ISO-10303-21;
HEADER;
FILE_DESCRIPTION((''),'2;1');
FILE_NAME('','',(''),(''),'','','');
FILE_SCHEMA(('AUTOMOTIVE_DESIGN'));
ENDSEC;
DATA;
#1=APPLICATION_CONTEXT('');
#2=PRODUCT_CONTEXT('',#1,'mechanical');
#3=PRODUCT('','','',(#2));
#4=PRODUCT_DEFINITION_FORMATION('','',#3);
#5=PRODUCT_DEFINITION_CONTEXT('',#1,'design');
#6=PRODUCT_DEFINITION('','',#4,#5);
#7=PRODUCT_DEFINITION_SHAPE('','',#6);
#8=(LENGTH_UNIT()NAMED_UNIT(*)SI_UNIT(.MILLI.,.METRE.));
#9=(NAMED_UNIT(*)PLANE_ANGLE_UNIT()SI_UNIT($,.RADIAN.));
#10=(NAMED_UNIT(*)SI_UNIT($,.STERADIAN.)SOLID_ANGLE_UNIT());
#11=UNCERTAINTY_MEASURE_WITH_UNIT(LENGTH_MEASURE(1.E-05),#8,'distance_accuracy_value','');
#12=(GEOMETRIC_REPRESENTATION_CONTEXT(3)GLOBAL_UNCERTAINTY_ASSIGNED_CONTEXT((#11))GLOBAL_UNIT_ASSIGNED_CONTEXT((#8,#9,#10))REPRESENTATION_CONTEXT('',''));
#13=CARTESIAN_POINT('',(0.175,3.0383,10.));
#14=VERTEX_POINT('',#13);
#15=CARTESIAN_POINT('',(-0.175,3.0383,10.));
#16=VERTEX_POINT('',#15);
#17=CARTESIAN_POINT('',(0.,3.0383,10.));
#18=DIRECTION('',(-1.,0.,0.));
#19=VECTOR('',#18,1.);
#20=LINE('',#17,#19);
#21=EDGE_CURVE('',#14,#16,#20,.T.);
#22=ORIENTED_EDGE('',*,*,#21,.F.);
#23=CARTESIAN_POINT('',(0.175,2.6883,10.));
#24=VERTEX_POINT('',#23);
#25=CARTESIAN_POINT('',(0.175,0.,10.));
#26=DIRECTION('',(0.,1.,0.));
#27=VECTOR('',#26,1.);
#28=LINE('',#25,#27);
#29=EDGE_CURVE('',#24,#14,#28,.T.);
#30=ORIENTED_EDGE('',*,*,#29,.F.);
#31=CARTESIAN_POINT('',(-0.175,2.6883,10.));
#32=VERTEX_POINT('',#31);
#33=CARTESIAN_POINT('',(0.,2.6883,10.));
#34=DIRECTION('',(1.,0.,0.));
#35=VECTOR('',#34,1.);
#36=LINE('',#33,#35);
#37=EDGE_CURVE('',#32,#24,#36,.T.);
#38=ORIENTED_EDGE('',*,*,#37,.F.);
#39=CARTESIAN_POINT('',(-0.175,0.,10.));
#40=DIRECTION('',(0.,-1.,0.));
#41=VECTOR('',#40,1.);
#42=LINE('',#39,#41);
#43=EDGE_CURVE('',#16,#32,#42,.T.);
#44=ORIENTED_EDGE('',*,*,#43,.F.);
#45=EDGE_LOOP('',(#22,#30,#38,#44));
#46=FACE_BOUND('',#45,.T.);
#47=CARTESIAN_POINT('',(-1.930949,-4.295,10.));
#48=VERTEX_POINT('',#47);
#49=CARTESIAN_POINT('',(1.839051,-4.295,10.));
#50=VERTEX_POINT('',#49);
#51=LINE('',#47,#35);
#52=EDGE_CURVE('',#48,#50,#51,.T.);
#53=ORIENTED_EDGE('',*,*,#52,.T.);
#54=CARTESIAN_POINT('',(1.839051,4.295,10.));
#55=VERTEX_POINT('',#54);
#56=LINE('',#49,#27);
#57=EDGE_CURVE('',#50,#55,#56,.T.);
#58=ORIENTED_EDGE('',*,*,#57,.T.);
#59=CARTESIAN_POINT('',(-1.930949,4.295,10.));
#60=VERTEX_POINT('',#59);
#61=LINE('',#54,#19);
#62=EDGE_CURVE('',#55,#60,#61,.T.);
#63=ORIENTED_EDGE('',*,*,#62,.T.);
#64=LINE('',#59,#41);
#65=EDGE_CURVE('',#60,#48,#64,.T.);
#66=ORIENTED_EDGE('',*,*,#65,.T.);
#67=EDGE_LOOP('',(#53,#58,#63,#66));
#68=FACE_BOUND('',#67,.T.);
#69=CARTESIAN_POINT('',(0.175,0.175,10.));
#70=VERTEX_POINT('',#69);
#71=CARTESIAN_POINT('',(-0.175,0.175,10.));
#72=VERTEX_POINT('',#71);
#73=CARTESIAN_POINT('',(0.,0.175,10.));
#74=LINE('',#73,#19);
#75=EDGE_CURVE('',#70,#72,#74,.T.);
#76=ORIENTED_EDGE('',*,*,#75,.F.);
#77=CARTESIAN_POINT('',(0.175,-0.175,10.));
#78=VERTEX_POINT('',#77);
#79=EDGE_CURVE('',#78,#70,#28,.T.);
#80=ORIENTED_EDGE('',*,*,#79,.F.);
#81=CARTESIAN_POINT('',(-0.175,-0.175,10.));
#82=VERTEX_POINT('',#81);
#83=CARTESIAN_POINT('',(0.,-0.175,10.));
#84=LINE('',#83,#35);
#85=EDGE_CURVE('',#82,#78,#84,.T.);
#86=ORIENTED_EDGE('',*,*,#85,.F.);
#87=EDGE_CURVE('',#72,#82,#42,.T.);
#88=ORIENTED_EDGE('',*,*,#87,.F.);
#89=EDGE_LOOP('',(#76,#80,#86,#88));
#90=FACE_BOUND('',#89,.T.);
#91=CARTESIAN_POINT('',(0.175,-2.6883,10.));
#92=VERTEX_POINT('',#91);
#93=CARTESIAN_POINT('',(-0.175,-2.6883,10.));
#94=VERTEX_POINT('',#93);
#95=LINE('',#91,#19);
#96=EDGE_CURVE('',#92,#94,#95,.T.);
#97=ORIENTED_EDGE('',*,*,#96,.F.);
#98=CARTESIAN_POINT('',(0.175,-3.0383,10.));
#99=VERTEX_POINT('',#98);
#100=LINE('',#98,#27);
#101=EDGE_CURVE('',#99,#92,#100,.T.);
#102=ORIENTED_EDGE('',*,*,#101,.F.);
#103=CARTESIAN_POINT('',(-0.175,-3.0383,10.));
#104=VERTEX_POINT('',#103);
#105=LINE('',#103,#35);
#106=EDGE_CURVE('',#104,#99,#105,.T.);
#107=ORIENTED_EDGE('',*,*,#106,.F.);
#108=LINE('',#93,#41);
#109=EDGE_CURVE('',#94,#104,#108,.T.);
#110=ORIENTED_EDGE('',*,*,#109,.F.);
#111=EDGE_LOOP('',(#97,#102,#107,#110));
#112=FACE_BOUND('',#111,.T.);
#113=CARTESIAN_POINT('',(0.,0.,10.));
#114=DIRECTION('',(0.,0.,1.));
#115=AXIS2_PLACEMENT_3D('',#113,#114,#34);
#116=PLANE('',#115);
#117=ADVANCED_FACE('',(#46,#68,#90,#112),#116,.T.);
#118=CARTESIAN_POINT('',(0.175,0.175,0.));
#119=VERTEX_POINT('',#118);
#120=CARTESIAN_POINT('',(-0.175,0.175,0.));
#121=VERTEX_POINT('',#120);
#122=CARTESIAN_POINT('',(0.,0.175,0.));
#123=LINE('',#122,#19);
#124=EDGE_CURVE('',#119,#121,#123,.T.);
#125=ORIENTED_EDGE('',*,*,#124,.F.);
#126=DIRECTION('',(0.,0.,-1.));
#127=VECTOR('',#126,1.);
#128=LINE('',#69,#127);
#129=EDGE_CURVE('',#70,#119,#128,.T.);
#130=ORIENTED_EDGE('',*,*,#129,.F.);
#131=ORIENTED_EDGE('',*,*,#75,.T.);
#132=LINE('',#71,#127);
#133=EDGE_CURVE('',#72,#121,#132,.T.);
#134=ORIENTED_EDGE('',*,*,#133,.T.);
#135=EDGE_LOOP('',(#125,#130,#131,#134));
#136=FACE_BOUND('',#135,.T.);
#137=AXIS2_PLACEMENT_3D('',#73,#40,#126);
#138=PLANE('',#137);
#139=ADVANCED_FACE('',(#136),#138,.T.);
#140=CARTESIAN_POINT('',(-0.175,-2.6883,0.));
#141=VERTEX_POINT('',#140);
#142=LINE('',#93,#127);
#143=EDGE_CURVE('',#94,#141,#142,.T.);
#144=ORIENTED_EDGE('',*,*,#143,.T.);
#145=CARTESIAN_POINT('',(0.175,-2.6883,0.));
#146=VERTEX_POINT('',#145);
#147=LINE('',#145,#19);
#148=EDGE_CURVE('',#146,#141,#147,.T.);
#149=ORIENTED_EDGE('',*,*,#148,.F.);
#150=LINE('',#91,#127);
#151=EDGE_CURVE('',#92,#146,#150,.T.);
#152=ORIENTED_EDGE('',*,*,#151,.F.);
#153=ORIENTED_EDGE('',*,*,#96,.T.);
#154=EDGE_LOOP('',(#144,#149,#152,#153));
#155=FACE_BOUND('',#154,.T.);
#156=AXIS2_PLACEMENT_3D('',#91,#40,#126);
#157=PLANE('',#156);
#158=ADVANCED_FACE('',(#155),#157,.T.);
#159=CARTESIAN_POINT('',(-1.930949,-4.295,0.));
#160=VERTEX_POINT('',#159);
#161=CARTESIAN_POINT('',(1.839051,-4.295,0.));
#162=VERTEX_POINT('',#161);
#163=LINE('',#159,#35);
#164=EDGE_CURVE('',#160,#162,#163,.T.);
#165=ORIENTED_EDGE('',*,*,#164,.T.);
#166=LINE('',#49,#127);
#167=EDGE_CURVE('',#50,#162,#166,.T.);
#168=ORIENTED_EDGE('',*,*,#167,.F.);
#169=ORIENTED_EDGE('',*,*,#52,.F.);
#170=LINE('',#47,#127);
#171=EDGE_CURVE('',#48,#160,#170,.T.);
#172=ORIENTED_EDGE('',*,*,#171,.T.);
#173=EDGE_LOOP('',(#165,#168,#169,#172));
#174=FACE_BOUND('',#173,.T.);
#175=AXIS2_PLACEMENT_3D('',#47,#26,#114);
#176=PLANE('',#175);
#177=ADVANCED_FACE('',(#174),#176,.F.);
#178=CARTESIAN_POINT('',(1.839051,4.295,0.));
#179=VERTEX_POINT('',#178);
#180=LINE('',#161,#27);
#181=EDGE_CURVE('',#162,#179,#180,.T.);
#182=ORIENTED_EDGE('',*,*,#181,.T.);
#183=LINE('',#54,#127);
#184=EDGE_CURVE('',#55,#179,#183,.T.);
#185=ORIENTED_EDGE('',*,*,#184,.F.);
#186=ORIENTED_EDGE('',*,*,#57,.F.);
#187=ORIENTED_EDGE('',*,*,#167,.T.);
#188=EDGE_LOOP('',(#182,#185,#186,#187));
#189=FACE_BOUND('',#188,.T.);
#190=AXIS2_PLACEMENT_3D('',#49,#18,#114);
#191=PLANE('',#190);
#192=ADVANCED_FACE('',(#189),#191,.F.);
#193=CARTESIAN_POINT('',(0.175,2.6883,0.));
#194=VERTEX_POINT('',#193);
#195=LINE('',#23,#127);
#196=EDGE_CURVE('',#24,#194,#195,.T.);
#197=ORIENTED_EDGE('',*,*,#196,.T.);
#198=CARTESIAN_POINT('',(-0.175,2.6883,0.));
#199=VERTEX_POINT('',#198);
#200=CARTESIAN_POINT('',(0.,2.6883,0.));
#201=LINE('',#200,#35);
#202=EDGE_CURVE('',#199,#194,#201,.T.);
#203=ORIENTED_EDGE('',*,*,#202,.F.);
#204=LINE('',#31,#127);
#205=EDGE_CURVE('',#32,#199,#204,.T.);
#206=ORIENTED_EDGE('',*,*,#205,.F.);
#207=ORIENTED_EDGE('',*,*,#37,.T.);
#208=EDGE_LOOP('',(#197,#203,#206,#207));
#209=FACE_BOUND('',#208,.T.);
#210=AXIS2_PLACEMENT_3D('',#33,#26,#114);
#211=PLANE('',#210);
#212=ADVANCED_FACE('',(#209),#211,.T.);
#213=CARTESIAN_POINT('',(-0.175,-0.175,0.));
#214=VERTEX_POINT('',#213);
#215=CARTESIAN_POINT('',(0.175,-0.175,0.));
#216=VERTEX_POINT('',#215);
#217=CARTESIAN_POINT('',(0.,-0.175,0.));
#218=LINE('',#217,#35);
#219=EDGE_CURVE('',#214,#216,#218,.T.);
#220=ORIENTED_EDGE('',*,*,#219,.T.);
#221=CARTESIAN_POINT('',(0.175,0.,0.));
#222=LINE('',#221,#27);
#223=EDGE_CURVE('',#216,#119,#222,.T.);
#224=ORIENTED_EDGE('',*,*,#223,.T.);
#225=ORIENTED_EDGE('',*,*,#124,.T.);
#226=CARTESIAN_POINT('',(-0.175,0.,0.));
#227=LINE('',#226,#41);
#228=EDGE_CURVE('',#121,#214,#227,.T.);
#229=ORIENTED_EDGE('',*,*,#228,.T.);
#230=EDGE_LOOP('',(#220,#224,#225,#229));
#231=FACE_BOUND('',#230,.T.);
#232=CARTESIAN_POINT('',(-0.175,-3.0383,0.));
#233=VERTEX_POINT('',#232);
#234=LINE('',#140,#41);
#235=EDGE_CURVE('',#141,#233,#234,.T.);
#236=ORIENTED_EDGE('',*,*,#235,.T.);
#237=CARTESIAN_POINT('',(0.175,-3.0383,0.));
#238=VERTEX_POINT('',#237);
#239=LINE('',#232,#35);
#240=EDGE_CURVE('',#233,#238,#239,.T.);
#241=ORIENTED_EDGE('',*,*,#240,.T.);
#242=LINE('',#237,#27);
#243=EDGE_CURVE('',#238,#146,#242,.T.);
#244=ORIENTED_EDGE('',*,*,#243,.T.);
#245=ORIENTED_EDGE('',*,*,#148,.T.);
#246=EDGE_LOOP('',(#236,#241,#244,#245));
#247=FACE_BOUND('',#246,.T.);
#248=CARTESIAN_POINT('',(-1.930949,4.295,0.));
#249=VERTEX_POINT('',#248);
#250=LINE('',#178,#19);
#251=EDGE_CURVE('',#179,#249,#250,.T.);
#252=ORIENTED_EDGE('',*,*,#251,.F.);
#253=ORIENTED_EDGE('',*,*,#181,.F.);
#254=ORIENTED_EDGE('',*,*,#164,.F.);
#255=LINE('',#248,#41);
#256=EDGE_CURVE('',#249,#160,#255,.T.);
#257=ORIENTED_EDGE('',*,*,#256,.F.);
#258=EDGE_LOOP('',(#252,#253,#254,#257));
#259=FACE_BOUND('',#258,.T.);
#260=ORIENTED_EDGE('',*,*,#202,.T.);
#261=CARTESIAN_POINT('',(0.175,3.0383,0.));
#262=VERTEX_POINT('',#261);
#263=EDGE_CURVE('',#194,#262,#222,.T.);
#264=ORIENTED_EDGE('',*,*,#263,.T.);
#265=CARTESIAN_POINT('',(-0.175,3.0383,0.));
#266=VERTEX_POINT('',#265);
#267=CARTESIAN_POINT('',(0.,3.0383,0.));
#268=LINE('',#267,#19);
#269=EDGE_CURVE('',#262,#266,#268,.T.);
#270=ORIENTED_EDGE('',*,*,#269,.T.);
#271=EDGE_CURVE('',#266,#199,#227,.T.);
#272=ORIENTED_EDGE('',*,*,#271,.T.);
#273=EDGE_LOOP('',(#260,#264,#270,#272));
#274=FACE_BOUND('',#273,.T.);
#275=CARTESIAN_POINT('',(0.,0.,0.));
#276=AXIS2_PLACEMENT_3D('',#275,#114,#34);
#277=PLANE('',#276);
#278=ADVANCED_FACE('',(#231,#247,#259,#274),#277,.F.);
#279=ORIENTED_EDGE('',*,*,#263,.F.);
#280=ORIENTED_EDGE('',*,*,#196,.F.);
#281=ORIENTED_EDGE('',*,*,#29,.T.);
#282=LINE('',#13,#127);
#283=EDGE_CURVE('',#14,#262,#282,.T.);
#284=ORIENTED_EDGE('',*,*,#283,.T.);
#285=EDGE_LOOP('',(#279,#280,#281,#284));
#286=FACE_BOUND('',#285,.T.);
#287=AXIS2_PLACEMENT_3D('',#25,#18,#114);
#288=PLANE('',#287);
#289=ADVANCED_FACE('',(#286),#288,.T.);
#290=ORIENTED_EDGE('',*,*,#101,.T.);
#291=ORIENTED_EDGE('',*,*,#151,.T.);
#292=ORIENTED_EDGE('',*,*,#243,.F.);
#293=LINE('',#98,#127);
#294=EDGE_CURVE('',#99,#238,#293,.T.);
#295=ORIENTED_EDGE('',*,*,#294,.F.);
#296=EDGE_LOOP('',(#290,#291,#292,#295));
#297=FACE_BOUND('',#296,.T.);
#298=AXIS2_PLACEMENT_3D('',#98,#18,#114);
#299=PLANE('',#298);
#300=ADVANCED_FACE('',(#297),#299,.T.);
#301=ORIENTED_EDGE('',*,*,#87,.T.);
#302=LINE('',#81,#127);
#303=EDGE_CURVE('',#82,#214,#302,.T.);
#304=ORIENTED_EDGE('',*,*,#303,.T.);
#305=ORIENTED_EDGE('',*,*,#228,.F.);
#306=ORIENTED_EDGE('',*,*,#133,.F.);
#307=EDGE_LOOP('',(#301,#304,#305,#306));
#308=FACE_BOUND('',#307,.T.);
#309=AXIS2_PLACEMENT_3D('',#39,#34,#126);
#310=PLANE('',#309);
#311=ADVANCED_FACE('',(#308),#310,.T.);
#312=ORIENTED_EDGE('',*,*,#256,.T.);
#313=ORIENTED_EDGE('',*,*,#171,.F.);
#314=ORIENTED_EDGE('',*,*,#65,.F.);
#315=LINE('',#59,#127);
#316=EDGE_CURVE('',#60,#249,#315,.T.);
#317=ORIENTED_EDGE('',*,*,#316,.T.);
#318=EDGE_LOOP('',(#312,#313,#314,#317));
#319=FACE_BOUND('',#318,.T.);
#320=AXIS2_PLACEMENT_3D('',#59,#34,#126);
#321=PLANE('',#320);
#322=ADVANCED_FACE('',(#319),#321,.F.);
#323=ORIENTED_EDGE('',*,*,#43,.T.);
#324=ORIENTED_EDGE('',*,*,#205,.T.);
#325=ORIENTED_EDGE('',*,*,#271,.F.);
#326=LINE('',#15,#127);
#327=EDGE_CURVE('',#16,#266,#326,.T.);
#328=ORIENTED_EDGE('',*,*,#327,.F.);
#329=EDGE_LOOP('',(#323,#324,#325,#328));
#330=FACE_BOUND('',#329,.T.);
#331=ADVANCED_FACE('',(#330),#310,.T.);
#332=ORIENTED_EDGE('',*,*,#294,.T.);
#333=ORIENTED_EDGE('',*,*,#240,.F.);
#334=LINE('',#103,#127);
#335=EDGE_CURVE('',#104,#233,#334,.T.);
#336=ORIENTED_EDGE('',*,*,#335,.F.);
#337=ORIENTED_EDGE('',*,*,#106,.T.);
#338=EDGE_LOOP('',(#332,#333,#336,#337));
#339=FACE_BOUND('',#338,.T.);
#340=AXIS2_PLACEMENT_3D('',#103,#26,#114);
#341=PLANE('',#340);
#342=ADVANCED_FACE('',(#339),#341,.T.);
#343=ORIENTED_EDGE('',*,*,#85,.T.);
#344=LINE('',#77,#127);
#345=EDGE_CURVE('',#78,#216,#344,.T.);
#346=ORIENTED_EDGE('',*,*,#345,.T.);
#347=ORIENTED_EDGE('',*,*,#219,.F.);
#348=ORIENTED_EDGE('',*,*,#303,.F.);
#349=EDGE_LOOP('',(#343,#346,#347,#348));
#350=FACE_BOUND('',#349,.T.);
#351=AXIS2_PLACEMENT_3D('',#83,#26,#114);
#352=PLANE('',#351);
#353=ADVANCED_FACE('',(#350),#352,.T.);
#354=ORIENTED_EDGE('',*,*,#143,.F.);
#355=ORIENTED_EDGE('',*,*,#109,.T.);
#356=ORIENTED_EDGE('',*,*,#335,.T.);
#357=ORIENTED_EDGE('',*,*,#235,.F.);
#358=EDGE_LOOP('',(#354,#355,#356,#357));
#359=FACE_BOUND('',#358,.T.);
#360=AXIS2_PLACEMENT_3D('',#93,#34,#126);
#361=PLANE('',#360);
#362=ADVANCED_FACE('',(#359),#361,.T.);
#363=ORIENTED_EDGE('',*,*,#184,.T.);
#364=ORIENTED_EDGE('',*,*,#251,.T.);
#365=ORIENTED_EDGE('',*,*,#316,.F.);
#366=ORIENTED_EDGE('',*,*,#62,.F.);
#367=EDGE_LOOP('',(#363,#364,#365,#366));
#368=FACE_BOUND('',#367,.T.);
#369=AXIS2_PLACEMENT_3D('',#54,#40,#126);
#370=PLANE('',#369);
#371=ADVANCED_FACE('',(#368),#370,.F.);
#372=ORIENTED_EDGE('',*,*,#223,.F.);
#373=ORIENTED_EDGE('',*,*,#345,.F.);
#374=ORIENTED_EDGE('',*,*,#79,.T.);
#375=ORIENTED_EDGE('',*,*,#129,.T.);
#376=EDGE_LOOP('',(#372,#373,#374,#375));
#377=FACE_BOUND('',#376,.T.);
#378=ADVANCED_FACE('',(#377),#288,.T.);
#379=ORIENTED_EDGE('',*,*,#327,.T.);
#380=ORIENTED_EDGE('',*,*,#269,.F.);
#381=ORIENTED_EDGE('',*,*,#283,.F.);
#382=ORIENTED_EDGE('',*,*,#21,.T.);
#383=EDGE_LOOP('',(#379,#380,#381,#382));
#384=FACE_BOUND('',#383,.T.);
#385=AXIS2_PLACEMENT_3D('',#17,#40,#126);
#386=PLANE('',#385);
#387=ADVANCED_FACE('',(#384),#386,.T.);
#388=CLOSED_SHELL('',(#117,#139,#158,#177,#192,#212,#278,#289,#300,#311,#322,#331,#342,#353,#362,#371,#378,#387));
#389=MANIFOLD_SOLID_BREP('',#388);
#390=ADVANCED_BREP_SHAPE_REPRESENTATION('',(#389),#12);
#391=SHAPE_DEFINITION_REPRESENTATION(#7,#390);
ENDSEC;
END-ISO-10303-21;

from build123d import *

# Parameters (mm, degrees)
SKETCH2_W           = 3.77
SKETCH2_H           = 8.59
SKETCH2_W_2         = 0.35
SKETCH2_H_2         = 0.35
BOSS_EXTRUDE1_DEPTH = 10


with BuildPart() as part:
    # Sketch2 → Boss-Extrude1 (new body)
    with BuildSketch(Plane(origin=(0, 0, 0), x_dir=(-1, 0, 0), z_dir=(0, 0, 1))):
        with Locations((0.045949122, 0)):
            Rectangle(SKETCH2_W, SKETCH2_H)
        with Locations((0, -2.8633)):
            Rectangle(SKETCH2_W_2, SKETCH2_H_2, mode=Mode.SUBTRACT)
        Rectangle(SKETCH2_W_2, SKETCH2_H_2, mode=Mode.SUBTRACT)
        with Locations((0, 2.8633)):
            Rectangle(SKETCH2_W_2, SKETCH2_H_2, mode=Mode.SUBTRACT)
    extrude(amount=BOSS_EXTRUDE1_DEPTH)


solid = part.part
